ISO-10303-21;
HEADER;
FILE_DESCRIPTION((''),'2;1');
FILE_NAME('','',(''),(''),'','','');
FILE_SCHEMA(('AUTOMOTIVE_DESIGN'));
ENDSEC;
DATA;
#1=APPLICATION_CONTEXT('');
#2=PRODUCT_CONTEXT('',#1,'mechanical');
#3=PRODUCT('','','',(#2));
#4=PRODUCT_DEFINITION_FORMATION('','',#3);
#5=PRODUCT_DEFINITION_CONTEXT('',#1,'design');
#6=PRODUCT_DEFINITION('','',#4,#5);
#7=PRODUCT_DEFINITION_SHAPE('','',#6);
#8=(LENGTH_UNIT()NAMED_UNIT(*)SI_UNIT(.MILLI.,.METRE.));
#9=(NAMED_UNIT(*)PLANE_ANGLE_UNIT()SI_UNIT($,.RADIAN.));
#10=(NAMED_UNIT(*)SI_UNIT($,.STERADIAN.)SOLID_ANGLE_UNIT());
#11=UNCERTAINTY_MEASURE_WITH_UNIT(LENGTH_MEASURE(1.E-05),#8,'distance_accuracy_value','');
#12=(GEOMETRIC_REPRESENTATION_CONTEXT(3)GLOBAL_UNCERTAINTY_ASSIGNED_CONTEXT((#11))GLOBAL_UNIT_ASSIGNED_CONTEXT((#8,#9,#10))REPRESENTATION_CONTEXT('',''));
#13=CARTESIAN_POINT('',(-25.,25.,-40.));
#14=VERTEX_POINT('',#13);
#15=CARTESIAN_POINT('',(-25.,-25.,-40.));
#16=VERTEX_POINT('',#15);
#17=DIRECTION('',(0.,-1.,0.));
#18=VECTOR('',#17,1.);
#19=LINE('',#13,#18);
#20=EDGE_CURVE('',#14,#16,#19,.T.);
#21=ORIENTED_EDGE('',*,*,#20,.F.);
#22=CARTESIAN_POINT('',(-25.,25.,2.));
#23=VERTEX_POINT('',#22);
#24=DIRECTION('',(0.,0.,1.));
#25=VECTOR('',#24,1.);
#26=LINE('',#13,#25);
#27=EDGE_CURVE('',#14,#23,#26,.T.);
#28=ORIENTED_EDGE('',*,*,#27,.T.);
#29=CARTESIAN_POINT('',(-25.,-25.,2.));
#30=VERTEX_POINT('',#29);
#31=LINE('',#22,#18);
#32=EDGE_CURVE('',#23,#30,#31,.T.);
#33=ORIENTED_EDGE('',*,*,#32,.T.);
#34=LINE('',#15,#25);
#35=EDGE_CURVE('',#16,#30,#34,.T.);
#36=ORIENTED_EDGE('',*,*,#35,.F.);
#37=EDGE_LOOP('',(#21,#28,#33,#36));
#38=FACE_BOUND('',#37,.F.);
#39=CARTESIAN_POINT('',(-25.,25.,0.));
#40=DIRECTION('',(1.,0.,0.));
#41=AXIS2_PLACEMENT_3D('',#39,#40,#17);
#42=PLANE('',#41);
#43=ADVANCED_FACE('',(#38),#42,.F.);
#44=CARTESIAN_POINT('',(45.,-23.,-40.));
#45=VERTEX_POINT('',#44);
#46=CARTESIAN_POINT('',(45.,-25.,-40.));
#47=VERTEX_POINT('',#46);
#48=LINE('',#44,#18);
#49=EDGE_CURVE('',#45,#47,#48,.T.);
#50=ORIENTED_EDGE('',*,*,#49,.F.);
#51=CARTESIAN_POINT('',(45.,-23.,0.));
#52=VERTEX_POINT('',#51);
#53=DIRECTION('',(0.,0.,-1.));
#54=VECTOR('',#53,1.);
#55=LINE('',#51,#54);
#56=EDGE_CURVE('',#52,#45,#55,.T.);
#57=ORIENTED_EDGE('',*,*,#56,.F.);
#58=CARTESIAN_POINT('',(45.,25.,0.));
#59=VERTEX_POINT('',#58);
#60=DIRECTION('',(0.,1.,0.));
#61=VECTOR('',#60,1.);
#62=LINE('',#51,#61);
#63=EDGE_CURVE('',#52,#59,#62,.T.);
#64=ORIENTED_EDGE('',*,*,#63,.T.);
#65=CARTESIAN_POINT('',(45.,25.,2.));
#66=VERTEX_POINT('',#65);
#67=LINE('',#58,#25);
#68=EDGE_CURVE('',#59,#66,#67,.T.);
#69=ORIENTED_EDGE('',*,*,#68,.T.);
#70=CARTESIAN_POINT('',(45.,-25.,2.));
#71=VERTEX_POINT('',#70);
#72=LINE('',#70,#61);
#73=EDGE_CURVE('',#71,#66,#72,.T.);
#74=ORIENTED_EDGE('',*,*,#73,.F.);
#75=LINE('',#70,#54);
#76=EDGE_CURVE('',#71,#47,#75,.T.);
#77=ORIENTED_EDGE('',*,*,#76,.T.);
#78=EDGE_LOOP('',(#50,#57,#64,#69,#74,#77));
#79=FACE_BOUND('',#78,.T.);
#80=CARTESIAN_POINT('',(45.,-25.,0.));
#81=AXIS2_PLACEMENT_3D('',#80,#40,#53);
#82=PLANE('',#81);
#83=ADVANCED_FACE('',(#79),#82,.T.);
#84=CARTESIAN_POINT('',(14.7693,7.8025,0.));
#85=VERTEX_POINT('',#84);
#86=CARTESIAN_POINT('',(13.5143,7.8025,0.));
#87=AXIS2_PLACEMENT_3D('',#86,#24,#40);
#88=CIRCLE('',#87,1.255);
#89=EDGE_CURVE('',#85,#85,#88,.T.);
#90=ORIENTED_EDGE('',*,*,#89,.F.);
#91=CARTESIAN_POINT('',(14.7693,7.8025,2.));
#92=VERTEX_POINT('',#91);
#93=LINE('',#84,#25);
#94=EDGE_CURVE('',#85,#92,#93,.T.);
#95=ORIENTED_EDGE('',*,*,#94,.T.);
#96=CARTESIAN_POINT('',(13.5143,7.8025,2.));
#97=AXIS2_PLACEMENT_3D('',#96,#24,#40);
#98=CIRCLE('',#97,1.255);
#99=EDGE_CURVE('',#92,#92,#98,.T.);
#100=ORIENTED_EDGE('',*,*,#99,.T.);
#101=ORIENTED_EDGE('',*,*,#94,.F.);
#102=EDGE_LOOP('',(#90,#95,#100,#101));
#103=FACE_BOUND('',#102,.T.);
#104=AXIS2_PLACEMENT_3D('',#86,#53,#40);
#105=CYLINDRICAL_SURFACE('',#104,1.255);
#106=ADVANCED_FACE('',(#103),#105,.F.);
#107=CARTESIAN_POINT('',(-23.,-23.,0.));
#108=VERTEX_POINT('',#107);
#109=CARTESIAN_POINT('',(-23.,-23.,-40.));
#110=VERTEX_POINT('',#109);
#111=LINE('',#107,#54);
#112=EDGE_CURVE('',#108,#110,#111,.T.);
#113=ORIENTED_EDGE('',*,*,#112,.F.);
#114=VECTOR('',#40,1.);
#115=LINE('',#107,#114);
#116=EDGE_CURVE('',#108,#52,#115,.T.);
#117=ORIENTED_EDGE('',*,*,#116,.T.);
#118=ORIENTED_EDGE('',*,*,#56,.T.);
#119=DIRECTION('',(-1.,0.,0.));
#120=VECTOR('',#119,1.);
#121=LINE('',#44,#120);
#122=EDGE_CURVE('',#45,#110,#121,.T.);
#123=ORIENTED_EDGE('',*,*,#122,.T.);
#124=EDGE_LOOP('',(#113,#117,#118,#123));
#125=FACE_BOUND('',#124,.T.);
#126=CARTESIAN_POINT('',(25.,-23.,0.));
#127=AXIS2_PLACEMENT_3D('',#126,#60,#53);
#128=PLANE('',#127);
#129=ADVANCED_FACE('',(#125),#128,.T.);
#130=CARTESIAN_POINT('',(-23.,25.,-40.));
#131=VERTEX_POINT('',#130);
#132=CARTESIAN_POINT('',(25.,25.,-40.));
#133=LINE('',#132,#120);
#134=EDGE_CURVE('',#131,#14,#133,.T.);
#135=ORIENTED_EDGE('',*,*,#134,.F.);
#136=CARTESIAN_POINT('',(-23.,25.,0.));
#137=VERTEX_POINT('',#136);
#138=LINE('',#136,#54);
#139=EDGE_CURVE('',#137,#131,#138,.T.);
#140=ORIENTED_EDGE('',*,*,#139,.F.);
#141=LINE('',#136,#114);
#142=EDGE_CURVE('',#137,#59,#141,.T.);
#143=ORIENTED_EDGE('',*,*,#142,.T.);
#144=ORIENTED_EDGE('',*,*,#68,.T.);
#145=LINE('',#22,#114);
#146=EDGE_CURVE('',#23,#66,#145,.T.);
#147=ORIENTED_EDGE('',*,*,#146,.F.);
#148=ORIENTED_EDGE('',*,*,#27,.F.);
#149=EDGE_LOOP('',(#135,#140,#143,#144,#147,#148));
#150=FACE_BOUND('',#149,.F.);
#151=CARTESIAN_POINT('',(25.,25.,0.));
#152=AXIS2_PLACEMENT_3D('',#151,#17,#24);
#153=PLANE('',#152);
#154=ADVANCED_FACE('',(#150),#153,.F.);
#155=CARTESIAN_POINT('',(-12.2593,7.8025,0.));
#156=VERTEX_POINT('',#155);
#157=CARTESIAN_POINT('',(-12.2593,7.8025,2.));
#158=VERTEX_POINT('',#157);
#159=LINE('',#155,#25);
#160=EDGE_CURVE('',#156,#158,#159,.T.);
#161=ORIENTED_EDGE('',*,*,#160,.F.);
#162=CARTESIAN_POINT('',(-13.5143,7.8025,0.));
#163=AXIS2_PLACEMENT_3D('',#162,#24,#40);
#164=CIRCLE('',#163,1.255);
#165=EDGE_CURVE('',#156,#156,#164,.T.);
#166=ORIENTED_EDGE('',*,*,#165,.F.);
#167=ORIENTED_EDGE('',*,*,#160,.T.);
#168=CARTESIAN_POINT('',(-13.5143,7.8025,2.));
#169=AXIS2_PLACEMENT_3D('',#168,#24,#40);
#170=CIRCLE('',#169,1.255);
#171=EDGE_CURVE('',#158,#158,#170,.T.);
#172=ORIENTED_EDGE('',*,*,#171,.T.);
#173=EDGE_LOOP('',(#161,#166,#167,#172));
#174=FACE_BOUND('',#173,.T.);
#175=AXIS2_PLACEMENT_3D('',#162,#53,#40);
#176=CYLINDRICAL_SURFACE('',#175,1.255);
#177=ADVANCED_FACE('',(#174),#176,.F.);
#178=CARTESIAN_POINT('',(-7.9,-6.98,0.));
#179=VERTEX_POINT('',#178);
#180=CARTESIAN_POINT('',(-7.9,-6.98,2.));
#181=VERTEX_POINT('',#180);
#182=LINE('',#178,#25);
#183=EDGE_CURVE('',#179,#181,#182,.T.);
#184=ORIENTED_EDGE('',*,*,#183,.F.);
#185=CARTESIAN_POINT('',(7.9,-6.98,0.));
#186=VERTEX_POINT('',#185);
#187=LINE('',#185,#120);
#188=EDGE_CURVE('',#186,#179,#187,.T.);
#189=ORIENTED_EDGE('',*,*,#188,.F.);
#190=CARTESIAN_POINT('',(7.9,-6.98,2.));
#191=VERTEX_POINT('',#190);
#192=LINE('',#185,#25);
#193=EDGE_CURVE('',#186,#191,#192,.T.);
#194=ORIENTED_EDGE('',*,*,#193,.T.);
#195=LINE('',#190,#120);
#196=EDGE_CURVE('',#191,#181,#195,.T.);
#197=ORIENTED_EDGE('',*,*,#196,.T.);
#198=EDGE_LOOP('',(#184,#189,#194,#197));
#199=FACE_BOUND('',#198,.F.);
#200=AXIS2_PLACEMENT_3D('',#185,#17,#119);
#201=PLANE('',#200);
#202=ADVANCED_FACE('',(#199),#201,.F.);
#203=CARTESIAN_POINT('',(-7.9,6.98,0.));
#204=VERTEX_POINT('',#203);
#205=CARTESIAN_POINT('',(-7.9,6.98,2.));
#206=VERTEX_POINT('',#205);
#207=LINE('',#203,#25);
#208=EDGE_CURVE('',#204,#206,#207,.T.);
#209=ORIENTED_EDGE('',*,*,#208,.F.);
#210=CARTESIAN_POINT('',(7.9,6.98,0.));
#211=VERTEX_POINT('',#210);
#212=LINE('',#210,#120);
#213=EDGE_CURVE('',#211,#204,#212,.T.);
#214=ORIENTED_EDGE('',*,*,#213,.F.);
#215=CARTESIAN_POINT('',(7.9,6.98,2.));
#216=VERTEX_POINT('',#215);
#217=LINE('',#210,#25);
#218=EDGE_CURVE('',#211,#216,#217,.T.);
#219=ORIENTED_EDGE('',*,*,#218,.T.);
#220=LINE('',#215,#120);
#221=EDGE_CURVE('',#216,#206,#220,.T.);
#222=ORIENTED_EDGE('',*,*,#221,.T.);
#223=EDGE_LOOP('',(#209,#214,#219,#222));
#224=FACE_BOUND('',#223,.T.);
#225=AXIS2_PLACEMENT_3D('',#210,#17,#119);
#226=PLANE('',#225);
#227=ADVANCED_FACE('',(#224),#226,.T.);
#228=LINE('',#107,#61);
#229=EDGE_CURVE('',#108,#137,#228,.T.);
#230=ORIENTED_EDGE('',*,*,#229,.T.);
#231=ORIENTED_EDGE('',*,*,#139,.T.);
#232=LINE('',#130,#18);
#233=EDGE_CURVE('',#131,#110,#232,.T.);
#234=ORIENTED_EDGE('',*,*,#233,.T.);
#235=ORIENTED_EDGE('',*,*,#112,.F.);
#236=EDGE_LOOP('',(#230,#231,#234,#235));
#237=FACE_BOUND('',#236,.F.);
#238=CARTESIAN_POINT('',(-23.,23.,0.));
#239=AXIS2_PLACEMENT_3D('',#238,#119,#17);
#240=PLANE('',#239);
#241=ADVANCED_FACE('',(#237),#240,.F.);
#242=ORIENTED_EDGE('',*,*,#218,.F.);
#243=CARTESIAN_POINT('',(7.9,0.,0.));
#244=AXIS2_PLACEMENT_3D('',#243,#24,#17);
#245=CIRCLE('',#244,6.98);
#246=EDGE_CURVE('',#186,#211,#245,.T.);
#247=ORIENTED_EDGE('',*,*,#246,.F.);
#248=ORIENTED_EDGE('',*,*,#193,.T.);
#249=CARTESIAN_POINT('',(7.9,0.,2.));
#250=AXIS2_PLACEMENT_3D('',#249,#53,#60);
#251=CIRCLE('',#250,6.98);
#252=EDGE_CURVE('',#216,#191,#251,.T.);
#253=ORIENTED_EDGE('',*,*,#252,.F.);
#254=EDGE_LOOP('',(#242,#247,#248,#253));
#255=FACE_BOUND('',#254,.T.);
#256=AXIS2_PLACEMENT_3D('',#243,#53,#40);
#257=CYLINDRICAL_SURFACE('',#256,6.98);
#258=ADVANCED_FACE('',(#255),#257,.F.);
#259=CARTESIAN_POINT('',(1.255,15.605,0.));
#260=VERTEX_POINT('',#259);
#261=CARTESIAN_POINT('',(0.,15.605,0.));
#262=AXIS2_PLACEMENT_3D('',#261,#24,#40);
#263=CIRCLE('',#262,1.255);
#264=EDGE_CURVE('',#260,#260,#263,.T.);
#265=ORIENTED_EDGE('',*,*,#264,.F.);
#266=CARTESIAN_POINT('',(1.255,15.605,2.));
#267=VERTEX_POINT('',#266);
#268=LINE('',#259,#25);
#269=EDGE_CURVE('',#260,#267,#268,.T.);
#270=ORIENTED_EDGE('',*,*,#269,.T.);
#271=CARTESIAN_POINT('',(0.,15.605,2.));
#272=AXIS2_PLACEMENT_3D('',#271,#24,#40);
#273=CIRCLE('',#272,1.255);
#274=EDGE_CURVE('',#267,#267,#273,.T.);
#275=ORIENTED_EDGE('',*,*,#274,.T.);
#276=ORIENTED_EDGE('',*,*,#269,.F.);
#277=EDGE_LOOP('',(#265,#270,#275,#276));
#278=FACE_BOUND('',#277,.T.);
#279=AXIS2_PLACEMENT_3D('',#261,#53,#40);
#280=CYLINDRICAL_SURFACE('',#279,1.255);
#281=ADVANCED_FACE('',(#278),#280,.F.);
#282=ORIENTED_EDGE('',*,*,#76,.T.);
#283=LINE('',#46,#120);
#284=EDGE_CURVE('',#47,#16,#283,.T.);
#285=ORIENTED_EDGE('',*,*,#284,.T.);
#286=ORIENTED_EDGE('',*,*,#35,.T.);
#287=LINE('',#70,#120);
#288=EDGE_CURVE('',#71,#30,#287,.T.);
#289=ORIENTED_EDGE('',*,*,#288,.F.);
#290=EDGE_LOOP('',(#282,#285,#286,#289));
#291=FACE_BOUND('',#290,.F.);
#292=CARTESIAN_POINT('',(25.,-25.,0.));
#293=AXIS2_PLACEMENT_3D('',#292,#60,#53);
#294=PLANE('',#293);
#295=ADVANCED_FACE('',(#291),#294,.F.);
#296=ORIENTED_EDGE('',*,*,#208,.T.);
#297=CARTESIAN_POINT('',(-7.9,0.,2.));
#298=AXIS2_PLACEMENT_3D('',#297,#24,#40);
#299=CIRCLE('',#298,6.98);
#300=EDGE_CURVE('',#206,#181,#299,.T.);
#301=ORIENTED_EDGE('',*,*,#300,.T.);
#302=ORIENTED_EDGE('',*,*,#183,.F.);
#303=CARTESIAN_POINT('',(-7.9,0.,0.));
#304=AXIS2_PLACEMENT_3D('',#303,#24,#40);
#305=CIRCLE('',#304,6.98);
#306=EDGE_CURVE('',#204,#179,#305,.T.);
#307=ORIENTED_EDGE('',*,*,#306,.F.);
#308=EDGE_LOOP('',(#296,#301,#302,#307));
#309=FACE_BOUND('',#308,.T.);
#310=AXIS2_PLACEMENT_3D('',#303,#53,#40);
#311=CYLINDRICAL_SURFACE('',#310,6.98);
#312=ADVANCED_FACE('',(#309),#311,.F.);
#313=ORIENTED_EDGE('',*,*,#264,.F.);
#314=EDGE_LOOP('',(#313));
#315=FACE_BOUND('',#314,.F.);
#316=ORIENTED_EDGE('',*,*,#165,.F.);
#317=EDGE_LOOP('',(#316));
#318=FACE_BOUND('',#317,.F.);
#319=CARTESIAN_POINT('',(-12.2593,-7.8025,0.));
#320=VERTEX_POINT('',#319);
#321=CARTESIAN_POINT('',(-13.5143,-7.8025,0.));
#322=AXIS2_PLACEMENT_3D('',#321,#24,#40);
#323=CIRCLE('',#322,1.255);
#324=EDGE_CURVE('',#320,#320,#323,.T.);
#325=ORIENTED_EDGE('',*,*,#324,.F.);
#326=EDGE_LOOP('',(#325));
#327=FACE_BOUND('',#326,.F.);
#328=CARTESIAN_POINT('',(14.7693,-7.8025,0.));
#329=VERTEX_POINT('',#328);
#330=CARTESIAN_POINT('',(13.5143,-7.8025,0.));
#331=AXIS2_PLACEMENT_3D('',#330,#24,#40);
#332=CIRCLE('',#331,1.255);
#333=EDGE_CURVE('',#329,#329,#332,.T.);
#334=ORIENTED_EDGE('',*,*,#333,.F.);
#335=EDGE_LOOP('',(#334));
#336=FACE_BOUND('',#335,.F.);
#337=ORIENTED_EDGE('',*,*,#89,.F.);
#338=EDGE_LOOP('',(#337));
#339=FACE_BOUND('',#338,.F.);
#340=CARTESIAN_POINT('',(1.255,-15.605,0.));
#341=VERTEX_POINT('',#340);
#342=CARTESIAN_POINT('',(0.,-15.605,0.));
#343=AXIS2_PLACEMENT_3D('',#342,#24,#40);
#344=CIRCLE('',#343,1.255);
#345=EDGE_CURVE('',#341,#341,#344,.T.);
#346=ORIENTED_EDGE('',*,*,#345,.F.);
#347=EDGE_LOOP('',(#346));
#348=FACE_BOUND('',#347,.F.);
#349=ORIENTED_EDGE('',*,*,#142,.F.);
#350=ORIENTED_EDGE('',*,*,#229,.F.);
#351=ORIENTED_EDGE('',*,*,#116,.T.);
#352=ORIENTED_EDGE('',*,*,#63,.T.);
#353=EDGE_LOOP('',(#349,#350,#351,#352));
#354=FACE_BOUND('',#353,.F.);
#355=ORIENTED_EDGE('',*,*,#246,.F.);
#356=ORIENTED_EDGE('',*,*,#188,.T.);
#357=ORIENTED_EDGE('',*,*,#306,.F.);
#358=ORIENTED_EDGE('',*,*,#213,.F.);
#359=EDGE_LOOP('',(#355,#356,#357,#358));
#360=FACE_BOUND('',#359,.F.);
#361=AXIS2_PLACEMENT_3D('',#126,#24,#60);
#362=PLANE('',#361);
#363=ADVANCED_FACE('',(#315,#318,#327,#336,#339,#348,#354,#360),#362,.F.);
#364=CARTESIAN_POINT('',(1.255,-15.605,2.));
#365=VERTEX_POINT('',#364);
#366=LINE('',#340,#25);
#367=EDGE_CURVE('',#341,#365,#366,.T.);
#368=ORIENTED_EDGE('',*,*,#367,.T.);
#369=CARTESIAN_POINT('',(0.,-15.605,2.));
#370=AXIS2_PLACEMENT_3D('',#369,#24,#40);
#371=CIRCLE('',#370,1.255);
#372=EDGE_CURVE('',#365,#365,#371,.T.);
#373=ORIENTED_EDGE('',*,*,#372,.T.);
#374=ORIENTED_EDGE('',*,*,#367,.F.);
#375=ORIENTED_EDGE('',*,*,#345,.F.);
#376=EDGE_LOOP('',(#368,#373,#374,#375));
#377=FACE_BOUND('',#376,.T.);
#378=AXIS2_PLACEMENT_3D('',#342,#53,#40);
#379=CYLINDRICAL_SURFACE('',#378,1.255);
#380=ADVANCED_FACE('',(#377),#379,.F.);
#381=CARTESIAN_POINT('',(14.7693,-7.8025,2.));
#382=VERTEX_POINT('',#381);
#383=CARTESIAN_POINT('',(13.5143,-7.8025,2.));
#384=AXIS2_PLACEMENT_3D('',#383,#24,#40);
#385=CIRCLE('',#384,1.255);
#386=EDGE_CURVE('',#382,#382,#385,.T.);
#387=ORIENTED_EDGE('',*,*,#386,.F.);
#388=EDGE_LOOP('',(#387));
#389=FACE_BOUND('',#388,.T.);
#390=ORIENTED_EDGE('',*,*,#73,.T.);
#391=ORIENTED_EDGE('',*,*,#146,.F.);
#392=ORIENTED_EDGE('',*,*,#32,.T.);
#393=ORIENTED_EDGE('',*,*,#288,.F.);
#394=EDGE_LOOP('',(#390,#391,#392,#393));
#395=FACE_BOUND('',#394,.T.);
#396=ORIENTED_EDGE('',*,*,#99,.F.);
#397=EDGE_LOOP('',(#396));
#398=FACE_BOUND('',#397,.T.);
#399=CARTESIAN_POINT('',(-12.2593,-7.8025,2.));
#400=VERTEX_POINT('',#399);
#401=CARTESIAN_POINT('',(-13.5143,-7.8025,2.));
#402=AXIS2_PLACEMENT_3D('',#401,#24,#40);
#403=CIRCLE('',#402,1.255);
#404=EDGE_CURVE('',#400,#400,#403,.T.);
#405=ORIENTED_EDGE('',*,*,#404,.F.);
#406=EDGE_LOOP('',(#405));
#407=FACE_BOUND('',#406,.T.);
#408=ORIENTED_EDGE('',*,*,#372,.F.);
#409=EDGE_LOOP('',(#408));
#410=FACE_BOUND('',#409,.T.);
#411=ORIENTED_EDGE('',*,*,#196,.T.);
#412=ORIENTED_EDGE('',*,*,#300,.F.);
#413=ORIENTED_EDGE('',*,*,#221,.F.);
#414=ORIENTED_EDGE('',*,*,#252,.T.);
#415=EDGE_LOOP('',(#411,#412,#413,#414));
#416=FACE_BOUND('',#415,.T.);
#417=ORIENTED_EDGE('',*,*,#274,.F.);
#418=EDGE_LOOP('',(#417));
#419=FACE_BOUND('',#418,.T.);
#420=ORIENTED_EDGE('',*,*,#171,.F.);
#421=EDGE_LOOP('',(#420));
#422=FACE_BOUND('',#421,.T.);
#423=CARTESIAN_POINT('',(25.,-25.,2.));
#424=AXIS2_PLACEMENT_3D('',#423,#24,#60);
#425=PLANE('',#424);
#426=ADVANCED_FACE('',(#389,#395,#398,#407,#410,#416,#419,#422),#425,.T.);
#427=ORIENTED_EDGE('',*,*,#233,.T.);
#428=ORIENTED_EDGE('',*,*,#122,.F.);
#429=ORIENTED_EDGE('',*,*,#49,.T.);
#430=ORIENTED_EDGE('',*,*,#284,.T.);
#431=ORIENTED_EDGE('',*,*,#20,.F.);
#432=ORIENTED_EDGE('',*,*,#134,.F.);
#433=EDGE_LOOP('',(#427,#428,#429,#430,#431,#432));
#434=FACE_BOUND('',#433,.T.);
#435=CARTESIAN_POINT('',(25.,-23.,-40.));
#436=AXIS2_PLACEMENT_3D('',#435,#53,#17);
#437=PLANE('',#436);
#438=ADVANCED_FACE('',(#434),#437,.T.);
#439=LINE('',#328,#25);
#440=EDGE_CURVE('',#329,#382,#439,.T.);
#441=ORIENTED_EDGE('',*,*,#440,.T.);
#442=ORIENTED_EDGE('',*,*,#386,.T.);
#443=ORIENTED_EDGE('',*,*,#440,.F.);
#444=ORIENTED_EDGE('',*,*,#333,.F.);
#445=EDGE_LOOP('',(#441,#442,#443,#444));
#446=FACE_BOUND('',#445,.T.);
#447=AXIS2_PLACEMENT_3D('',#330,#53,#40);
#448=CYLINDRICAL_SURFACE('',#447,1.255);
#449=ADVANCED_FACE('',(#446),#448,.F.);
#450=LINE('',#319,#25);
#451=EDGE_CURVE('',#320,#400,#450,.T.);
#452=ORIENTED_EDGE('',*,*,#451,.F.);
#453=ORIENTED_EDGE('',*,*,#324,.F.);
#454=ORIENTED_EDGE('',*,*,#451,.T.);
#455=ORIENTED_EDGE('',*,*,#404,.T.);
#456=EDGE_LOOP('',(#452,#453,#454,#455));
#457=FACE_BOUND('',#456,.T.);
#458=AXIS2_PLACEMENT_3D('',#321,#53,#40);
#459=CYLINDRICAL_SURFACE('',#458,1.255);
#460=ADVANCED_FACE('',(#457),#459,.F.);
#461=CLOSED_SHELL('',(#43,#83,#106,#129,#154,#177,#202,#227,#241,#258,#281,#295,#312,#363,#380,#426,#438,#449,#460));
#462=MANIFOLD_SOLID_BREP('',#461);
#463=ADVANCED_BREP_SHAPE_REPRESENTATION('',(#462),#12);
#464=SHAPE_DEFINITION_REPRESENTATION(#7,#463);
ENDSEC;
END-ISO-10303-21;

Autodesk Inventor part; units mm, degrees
ref_plane "YZ Plane" through (0, 0, 0) normal (1, 0, 0) x (0, 1, 0)
ref_plane "XZ Plane" through (0, 0, 0) normal (0, 1, 0) x (-1, 0, 0)
ref_plane "XY Plane" through (0, 0, 0) normal (0, 0, 1) x (1, 0, 0)
sketch "Sketch1" plane through (0, 0, 0) normal (0, 0, 1) x (1, 0, 0)
  circle A0 centre (0, 0) radius 18.38
  circle A1 centre (13.5143, 7.8025) radius 1.255
  circle A2 centre (0, 15.605) radius 1.255
  circle A3 centre (-13.5143, 7.8025) radius 1.255
  circle A4 centre (-13.5143, -7.8025) radius 1.255
  circle A5 centre (0, -15.605) radius 1.255
  circle A6 centre (13.5143, -7.8025) radius 1.255
  circle A7 centre (7.9, 0) radius 5.98
  line L0 (25, 25) -> (-25, 25)
  line L1 (-25, 25) -> (-25, -25)
  line L2 (-25, -25) -> (25, -25)
  line L3 (25, -25) -> (25, 25)
  line L4 (25, 25) -> (-25, -25) construction
  line L5 (-25, 25) -> (25, -25) construction
  circle A8 centre (7.9, 0) radius 6.98
  line L6 (7.9, -6.98) -> (-7.9, -6.98)
  line L7 (7.9, 6.98) -> (-7.9, 6.98)
  circle A9 centre (-7.9, 0) radius 6.98
  line L8 (23, 23) -> (-23, 23)
  line L9 (-23, 23) -> (-23, -23)
  line L10 (-23, -23) -> (23, -23)
  line L11 (23, -23) -> (23, 23)
  line L12 (-23, 23) -> (-23, 25)
  line L13 (23, 23) -> (23, 25)
  line L14 (23, -23) -> (23, -25)
  line L15 (23, -23) -> (25, -23)
  point P0 (0, 0)
  dimension "d0" = 50
  dimension "d1" = 50
  dimension "d2" = 1
  dimension "d3" = 15.8
  dimension "d6" = 2
extrude "Extrusion1" add sketch "Sketch1" along normal blind 2 contours A0 | L3 L15 L11 L13 L0 | L13 L8 L12 L0 | L3 L2 L14 L15 | L12 L9 L10 L14 L2 L1 L0 | L11 L10 L9 L8
extrude "Extrusion2" add sketch "Sketch1" against normal blind 40 contours L3 L2 L14 L15 | L12 L9 L10 L14 L2 L1 L0
thread "Thread1" size "M2.5x0.45" class "6H" standard "ISO Metric profile" length 10
thread "Thread2" size "M2.5x0.45" class "6H" standard "ANSI Metric M Profile" length 10
thread "Thread3" size "M2.5x0.45" class "6H" standard "ISO Metric profile" full length
thread "Thread4" size "M2.5x0.45" class "6H" standard "ANSI Metric M Profile" full length
thread "Thread5" size "M2.5x0.45" class "6H" standard "ANSI Metric M Profile" full length
thread "Thread6" size "M2.5x0.45" class "6H" standard "ANSI Metric M Profile" full length
sketch "Sketch2" plane through (25, -25, 0) normal (1, 0, 0) x (0, 0, -1)
  line L0 (0, 2) -> (0, 50) projected
  line L1 (0, 2) -> (40, 2) projected
  line L2 (40, 2) -> (40, 0) projected
  line L3 (0, 0) -> (40, 0) projected
  line L4 (40, 0) -> (-2, 0) projected
  line L5 (-2, 0) -> (-2, 50) projected
  line L6 (0, 50) -> (-2, 50) projected
  point P0 (0, 25)
extrude "Extrusion3" add sketch "Sketch2" along normal blind 20
properties part number "extendeddrivemotorcasing"
